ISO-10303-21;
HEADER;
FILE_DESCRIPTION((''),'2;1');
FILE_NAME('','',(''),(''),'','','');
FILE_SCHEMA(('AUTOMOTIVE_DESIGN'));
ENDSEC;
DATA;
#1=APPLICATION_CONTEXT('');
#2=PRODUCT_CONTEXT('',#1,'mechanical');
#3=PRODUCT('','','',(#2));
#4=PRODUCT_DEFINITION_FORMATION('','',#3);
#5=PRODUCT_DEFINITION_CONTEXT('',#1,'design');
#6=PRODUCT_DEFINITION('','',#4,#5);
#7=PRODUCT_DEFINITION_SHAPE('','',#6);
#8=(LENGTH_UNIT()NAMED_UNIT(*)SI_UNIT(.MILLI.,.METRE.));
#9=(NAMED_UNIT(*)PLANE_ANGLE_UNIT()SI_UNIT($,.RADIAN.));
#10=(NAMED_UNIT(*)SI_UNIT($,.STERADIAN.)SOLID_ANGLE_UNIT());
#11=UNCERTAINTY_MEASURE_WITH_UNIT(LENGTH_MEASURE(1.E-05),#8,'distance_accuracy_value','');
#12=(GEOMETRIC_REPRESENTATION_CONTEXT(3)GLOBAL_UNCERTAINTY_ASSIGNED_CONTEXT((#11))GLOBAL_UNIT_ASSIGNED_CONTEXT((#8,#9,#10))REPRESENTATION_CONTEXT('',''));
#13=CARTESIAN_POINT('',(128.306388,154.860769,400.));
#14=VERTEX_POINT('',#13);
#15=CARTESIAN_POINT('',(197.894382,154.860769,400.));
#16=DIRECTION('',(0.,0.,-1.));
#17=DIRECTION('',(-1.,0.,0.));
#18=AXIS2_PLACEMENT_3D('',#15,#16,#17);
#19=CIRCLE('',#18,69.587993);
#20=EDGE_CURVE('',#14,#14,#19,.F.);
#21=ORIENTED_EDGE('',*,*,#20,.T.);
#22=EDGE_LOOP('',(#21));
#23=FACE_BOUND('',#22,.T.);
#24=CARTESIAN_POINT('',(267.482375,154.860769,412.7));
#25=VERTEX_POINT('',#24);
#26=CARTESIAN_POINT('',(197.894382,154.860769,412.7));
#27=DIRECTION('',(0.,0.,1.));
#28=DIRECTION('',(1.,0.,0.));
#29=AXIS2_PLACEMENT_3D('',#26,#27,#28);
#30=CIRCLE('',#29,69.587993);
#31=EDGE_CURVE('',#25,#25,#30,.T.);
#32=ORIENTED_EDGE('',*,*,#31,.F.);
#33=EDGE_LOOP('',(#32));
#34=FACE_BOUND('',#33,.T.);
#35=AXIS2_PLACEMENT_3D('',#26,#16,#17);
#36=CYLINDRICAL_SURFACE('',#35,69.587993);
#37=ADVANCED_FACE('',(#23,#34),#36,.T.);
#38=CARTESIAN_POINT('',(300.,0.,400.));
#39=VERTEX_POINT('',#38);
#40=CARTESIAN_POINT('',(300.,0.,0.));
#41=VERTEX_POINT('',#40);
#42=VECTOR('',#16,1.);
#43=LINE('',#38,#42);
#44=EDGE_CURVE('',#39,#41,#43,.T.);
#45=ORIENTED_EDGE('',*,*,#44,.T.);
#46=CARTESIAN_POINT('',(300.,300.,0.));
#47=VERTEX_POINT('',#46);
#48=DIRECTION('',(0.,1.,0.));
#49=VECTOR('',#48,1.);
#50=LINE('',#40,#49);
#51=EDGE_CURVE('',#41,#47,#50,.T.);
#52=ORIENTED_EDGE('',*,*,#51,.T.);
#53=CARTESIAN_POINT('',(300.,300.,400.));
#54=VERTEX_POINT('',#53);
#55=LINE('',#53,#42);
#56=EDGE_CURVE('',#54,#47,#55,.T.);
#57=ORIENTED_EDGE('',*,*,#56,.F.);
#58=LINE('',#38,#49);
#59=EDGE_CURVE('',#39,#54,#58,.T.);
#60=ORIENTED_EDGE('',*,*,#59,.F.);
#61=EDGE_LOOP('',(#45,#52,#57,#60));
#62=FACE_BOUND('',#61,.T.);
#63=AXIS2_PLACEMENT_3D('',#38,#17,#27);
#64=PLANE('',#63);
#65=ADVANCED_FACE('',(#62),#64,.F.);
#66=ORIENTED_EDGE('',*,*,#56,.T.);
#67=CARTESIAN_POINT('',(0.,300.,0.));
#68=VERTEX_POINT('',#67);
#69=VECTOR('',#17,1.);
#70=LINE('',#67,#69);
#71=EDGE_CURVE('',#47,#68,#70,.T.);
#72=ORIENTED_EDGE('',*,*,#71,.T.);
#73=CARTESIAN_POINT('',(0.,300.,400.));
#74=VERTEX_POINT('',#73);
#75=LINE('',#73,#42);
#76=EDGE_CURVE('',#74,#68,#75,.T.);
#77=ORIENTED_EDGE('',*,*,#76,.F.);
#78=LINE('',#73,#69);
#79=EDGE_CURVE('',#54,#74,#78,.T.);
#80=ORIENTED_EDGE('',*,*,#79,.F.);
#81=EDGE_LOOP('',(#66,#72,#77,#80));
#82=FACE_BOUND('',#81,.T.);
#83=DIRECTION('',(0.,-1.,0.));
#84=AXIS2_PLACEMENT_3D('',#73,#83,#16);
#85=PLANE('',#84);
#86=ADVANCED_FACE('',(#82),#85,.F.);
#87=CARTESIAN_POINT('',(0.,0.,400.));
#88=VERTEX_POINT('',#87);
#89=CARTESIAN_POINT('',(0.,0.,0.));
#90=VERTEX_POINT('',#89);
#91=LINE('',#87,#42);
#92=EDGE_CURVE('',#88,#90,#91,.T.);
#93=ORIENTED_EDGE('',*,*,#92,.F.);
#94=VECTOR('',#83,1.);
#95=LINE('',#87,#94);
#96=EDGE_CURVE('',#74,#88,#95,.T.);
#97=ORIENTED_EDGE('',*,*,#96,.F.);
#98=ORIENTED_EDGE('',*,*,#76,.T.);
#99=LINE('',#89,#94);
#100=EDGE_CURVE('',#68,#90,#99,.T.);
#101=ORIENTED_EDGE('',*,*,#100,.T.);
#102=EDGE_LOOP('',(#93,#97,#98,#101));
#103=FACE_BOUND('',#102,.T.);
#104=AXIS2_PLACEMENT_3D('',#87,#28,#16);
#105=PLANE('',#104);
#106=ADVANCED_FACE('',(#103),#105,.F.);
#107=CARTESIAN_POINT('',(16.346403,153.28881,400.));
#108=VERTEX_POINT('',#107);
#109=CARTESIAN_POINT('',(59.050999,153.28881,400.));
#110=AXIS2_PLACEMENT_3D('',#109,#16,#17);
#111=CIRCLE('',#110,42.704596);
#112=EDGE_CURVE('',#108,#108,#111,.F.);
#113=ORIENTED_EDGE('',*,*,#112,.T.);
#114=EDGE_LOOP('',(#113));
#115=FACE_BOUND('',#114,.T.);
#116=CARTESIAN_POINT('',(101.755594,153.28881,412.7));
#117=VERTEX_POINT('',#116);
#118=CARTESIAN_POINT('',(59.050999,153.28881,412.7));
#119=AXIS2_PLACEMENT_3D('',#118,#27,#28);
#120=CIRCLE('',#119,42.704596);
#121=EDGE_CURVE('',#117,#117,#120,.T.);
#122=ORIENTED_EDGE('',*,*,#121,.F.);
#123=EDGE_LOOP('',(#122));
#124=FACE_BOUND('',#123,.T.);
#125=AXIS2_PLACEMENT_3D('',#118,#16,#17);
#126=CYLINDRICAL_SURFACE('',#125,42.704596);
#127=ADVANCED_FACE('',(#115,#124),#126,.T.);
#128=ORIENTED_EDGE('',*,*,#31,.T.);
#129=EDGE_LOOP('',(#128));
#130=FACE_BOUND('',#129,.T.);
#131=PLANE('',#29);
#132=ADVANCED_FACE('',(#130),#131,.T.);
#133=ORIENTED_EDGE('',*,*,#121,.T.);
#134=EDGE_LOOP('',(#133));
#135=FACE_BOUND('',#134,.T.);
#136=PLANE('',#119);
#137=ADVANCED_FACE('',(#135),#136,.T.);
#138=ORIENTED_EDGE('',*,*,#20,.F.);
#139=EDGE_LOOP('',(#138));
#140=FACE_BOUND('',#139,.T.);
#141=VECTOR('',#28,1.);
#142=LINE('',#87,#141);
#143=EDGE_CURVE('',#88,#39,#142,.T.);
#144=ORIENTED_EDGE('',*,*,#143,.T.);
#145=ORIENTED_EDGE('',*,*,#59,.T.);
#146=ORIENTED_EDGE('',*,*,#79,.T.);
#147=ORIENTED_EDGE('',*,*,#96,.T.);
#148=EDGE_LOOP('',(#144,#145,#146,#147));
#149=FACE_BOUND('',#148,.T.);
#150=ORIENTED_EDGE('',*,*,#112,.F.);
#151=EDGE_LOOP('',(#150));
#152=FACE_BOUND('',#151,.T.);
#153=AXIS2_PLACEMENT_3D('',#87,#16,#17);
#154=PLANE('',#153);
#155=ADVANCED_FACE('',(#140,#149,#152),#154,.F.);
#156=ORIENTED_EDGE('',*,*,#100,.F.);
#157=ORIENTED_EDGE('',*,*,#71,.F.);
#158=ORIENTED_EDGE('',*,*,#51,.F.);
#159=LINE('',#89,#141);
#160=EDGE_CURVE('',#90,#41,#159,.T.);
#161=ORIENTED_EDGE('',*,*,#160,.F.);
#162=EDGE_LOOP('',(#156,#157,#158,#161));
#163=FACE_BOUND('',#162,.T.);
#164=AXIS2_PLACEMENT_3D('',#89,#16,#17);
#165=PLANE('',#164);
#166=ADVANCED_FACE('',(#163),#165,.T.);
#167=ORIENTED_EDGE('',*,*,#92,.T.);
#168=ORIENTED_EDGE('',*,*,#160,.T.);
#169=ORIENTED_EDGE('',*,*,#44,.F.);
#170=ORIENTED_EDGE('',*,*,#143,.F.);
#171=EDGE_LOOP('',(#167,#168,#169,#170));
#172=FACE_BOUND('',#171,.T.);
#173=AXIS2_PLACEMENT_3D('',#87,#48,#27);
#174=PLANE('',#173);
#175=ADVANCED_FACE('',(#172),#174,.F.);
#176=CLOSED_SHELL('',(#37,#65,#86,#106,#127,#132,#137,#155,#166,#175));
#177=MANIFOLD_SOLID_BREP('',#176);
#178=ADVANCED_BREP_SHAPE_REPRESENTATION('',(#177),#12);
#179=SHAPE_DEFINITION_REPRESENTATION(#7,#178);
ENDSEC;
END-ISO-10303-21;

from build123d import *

# Parameters (mm, degrees)
SKETCH1_W           = 300
SKETCH1_H           = 300
BOSS_EXTRUDE1_DEPTH = 400
SKETCH2_R           = 42.704595991
SKETCH2_R_2         = 69.587993354
BOSS_EXTRUDE2_DEPTH = 12.7


with BuildPart() as part:
    # Sketch1 → Boss-Extrude1 (new body)
    with BuildSketch(Plane.XY):
        with Locations((150, 150)):
            Rectangle(SKETCH1_W, SKETCH1_H)
    extrude(amount=BOSS_EXTRUDE1_DEPTH)

    # Sketch2 → Boss-Extrude2 (add)
    with BuildSketch(Plane.XY.offset(400)):
        with Locations(Location((59.050998503, 153.288809659, 0), (0, 0, 180))):
            Circle(SKETCH2_R)
        with Locations(Location((197.894381645, 154.860769066, 0), (0, 0, 180))):
            Circle(SKETCH2_R_2)
    extrude(amount=BOSS_EXTRUDE2_DEPTH)


solid = part.part
